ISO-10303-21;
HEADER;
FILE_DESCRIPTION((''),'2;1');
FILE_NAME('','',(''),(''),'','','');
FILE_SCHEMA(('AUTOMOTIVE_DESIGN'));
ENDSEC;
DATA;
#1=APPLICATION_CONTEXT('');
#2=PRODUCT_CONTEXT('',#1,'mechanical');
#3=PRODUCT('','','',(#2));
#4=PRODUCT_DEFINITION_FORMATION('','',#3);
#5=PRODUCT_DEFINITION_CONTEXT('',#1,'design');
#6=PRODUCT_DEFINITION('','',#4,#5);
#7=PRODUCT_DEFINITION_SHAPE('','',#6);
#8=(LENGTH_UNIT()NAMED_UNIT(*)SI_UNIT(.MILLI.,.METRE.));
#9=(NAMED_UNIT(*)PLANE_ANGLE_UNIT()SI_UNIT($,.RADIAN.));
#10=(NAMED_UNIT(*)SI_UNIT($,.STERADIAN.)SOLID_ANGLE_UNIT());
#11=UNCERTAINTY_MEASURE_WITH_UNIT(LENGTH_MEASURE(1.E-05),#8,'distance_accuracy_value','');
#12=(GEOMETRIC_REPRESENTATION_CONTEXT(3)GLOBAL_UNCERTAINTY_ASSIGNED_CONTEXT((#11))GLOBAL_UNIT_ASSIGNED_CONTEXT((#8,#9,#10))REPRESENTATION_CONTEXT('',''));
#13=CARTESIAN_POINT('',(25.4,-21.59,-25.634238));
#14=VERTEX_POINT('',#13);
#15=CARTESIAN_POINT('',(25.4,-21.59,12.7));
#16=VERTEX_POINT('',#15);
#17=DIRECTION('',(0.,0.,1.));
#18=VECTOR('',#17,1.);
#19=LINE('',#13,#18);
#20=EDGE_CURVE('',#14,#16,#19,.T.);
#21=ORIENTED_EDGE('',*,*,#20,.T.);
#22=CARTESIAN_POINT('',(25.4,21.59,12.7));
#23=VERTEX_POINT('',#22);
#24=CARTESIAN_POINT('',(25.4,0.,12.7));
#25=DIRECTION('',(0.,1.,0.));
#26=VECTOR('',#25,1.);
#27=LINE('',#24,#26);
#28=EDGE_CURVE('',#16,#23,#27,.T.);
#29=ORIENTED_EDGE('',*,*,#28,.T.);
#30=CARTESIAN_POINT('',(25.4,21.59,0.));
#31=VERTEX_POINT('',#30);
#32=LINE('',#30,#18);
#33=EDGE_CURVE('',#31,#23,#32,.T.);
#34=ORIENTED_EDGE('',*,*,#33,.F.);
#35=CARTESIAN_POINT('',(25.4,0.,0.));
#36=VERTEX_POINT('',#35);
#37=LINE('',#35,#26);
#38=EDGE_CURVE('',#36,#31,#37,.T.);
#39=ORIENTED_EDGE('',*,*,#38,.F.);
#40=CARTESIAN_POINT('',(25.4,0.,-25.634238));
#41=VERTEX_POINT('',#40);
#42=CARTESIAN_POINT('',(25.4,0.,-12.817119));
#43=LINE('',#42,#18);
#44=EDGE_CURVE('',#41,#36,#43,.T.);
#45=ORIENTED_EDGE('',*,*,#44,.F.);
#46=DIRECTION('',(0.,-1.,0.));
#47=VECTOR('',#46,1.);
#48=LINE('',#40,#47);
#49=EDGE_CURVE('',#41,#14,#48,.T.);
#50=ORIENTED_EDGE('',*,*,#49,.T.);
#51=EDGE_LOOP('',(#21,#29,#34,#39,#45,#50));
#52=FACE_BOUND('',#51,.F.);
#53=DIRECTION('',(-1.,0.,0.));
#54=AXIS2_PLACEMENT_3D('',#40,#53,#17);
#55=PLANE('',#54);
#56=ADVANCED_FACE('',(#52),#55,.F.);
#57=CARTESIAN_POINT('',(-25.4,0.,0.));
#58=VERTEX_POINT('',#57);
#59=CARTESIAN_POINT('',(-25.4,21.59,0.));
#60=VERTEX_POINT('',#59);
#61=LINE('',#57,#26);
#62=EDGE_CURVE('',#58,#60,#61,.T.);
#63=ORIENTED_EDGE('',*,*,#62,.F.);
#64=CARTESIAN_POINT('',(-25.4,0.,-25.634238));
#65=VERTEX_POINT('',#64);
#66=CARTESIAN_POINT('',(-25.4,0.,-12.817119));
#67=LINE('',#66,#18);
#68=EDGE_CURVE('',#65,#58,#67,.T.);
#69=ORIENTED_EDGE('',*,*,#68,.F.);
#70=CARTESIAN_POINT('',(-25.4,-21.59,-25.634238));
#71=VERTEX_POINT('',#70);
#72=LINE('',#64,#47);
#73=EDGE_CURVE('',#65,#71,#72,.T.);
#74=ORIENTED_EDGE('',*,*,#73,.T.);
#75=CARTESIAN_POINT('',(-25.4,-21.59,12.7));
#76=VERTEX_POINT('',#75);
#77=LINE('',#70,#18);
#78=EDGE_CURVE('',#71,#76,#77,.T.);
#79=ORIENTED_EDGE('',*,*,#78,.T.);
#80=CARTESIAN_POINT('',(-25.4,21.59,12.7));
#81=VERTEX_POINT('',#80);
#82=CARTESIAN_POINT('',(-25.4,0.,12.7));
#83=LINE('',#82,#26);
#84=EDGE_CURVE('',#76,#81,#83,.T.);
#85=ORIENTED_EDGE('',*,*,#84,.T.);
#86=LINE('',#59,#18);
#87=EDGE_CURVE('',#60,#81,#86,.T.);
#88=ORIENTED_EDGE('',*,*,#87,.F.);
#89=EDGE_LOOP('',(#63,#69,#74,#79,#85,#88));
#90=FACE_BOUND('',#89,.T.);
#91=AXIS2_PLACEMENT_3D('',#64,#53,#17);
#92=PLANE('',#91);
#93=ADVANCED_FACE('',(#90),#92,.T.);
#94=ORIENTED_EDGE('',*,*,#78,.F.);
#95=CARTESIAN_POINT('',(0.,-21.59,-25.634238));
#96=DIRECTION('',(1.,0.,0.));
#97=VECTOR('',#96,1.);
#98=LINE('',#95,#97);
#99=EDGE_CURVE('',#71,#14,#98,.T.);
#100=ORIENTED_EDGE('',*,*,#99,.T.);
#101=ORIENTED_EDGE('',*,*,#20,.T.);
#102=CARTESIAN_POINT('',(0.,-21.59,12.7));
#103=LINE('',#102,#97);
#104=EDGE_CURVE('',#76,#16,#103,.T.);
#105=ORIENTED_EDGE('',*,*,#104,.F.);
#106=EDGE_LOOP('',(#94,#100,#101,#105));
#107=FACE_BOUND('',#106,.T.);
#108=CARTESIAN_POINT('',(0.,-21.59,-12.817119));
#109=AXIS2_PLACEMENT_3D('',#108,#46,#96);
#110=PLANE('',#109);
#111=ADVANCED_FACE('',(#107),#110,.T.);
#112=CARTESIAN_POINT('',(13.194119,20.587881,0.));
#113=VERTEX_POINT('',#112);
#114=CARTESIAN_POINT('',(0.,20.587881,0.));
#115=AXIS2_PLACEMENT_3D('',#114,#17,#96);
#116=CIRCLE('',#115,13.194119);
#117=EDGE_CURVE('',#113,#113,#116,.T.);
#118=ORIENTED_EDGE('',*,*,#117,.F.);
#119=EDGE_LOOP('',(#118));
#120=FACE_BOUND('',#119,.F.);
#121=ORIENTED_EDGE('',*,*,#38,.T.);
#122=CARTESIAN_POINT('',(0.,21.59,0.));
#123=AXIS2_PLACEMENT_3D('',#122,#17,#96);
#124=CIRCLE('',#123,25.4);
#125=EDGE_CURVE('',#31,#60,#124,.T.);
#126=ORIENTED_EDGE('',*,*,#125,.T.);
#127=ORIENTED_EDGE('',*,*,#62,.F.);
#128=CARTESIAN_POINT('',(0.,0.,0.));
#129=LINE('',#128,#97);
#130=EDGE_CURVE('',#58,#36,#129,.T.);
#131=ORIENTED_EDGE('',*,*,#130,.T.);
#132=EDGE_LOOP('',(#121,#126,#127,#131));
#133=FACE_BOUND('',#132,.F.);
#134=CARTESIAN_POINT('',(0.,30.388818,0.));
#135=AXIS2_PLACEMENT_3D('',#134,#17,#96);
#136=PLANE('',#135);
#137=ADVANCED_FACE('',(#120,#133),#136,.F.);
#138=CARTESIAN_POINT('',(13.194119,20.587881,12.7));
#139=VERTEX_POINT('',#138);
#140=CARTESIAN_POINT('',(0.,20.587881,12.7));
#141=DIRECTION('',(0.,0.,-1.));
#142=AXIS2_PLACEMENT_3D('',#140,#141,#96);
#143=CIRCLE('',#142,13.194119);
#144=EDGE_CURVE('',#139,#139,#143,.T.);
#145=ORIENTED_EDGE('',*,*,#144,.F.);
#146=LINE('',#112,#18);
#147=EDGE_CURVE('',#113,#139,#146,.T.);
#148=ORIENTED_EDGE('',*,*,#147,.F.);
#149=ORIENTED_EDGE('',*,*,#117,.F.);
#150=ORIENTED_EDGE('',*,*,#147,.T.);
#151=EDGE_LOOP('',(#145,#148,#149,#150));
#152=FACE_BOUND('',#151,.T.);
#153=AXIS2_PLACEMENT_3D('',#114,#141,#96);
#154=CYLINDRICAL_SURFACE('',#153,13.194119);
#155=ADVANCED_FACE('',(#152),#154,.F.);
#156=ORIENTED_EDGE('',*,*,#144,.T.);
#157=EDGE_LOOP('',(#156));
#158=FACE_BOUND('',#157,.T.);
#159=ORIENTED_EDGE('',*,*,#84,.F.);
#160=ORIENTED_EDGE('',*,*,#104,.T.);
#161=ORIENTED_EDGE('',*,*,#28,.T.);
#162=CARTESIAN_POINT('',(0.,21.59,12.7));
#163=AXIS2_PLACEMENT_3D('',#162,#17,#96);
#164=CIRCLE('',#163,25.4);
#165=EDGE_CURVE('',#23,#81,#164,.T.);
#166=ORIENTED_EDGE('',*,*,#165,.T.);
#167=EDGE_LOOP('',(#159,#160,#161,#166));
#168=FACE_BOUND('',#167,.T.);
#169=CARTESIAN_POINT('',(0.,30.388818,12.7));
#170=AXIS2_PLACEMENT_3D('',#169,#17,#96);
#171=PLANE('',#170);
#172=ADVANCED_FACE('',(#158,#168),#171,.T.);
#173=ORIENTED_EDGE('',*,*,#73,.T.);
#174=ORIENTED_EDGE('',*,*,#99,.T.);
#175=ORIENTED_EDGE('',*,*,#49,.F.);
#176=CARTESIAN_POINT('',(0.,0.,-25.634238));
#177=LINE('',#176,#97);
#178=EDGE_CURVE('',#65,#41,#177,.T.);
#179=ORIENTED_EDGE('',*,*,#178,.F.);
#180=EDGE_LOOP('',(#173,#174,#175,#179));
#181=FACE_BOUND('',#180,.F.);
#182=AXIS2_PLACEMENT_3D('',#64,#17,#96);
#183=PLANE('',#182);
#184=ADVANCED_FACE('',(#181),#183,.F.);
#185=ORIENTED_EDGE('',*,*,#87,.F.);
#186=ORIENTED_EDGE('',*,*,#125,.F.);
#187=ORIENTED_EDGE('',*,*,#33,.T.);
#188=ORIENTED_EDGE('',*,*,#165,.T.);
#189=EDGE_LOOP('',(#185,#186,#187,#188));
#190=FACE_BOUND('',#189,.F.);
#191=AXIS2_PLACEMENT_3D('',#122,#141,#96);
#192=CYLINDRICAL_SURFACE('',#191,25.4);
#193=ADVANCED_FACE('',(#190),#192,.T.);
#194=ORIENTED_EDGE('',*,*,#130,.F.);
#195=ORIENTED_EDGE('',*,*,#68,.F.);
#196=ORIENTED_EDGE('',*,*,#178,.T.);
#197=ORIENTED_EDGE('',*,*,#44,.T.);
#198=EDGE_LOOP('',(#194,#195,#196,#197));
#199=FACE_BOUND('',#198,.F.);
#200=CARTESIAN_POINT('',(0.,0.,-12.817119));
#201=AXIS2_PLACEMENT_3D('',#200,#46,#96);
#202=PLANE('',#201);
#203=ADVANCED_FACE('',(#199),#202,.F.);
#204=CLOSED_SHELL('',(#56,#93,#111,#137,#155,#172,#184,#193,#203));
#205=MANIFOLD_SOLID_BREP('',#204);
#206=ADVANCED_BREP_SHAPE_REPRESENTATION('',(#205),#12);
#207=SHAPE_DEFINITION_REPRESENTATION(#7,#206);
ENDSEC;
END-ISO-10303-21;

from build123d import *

# Parameters (mm, degrees)
F0_W     = 50.8
F0_H     = 43.18
F1_DEPTH = 12.7
F2_R     = 13.194119
F3_DEPTH = 12.701
F4_W     = 50.8
F4_H     = 25.634238
F5_DEPTH = 21.59


with BuildPart() as f1:
    # F0 (on Top) → F1 (new body)
    with BuildSketch(Plane.XY):
        with BuildLine():
            ThreePointArc((25.4, 21.59), (0, 46.99), (-25.4, 21.59))
            Line((-25.4, 21.59), (25.4, 21.59))
        make_face()
        Rectangle(F0_W, F0_H)
    extrude(amount=F1_DEPTH)

    # F2 (on Top) → F3 (cut, through all)
    with BuildSketch(Plane.XY):
        with Locations((0, 20.587881)):
            Circle(F2_R)
    extrude(amount=F3_DEPTH, mode=Mode.SUBTRACT)

    # F4 (on Front) → F5 (join)
    with BuildSketch(Plane.XZ):
        with Locations((0, -12.817119)):
            Rectangle(F4_W, F4_H)
    extrude(amount=F5_DEPTH)


solid = f1.part
